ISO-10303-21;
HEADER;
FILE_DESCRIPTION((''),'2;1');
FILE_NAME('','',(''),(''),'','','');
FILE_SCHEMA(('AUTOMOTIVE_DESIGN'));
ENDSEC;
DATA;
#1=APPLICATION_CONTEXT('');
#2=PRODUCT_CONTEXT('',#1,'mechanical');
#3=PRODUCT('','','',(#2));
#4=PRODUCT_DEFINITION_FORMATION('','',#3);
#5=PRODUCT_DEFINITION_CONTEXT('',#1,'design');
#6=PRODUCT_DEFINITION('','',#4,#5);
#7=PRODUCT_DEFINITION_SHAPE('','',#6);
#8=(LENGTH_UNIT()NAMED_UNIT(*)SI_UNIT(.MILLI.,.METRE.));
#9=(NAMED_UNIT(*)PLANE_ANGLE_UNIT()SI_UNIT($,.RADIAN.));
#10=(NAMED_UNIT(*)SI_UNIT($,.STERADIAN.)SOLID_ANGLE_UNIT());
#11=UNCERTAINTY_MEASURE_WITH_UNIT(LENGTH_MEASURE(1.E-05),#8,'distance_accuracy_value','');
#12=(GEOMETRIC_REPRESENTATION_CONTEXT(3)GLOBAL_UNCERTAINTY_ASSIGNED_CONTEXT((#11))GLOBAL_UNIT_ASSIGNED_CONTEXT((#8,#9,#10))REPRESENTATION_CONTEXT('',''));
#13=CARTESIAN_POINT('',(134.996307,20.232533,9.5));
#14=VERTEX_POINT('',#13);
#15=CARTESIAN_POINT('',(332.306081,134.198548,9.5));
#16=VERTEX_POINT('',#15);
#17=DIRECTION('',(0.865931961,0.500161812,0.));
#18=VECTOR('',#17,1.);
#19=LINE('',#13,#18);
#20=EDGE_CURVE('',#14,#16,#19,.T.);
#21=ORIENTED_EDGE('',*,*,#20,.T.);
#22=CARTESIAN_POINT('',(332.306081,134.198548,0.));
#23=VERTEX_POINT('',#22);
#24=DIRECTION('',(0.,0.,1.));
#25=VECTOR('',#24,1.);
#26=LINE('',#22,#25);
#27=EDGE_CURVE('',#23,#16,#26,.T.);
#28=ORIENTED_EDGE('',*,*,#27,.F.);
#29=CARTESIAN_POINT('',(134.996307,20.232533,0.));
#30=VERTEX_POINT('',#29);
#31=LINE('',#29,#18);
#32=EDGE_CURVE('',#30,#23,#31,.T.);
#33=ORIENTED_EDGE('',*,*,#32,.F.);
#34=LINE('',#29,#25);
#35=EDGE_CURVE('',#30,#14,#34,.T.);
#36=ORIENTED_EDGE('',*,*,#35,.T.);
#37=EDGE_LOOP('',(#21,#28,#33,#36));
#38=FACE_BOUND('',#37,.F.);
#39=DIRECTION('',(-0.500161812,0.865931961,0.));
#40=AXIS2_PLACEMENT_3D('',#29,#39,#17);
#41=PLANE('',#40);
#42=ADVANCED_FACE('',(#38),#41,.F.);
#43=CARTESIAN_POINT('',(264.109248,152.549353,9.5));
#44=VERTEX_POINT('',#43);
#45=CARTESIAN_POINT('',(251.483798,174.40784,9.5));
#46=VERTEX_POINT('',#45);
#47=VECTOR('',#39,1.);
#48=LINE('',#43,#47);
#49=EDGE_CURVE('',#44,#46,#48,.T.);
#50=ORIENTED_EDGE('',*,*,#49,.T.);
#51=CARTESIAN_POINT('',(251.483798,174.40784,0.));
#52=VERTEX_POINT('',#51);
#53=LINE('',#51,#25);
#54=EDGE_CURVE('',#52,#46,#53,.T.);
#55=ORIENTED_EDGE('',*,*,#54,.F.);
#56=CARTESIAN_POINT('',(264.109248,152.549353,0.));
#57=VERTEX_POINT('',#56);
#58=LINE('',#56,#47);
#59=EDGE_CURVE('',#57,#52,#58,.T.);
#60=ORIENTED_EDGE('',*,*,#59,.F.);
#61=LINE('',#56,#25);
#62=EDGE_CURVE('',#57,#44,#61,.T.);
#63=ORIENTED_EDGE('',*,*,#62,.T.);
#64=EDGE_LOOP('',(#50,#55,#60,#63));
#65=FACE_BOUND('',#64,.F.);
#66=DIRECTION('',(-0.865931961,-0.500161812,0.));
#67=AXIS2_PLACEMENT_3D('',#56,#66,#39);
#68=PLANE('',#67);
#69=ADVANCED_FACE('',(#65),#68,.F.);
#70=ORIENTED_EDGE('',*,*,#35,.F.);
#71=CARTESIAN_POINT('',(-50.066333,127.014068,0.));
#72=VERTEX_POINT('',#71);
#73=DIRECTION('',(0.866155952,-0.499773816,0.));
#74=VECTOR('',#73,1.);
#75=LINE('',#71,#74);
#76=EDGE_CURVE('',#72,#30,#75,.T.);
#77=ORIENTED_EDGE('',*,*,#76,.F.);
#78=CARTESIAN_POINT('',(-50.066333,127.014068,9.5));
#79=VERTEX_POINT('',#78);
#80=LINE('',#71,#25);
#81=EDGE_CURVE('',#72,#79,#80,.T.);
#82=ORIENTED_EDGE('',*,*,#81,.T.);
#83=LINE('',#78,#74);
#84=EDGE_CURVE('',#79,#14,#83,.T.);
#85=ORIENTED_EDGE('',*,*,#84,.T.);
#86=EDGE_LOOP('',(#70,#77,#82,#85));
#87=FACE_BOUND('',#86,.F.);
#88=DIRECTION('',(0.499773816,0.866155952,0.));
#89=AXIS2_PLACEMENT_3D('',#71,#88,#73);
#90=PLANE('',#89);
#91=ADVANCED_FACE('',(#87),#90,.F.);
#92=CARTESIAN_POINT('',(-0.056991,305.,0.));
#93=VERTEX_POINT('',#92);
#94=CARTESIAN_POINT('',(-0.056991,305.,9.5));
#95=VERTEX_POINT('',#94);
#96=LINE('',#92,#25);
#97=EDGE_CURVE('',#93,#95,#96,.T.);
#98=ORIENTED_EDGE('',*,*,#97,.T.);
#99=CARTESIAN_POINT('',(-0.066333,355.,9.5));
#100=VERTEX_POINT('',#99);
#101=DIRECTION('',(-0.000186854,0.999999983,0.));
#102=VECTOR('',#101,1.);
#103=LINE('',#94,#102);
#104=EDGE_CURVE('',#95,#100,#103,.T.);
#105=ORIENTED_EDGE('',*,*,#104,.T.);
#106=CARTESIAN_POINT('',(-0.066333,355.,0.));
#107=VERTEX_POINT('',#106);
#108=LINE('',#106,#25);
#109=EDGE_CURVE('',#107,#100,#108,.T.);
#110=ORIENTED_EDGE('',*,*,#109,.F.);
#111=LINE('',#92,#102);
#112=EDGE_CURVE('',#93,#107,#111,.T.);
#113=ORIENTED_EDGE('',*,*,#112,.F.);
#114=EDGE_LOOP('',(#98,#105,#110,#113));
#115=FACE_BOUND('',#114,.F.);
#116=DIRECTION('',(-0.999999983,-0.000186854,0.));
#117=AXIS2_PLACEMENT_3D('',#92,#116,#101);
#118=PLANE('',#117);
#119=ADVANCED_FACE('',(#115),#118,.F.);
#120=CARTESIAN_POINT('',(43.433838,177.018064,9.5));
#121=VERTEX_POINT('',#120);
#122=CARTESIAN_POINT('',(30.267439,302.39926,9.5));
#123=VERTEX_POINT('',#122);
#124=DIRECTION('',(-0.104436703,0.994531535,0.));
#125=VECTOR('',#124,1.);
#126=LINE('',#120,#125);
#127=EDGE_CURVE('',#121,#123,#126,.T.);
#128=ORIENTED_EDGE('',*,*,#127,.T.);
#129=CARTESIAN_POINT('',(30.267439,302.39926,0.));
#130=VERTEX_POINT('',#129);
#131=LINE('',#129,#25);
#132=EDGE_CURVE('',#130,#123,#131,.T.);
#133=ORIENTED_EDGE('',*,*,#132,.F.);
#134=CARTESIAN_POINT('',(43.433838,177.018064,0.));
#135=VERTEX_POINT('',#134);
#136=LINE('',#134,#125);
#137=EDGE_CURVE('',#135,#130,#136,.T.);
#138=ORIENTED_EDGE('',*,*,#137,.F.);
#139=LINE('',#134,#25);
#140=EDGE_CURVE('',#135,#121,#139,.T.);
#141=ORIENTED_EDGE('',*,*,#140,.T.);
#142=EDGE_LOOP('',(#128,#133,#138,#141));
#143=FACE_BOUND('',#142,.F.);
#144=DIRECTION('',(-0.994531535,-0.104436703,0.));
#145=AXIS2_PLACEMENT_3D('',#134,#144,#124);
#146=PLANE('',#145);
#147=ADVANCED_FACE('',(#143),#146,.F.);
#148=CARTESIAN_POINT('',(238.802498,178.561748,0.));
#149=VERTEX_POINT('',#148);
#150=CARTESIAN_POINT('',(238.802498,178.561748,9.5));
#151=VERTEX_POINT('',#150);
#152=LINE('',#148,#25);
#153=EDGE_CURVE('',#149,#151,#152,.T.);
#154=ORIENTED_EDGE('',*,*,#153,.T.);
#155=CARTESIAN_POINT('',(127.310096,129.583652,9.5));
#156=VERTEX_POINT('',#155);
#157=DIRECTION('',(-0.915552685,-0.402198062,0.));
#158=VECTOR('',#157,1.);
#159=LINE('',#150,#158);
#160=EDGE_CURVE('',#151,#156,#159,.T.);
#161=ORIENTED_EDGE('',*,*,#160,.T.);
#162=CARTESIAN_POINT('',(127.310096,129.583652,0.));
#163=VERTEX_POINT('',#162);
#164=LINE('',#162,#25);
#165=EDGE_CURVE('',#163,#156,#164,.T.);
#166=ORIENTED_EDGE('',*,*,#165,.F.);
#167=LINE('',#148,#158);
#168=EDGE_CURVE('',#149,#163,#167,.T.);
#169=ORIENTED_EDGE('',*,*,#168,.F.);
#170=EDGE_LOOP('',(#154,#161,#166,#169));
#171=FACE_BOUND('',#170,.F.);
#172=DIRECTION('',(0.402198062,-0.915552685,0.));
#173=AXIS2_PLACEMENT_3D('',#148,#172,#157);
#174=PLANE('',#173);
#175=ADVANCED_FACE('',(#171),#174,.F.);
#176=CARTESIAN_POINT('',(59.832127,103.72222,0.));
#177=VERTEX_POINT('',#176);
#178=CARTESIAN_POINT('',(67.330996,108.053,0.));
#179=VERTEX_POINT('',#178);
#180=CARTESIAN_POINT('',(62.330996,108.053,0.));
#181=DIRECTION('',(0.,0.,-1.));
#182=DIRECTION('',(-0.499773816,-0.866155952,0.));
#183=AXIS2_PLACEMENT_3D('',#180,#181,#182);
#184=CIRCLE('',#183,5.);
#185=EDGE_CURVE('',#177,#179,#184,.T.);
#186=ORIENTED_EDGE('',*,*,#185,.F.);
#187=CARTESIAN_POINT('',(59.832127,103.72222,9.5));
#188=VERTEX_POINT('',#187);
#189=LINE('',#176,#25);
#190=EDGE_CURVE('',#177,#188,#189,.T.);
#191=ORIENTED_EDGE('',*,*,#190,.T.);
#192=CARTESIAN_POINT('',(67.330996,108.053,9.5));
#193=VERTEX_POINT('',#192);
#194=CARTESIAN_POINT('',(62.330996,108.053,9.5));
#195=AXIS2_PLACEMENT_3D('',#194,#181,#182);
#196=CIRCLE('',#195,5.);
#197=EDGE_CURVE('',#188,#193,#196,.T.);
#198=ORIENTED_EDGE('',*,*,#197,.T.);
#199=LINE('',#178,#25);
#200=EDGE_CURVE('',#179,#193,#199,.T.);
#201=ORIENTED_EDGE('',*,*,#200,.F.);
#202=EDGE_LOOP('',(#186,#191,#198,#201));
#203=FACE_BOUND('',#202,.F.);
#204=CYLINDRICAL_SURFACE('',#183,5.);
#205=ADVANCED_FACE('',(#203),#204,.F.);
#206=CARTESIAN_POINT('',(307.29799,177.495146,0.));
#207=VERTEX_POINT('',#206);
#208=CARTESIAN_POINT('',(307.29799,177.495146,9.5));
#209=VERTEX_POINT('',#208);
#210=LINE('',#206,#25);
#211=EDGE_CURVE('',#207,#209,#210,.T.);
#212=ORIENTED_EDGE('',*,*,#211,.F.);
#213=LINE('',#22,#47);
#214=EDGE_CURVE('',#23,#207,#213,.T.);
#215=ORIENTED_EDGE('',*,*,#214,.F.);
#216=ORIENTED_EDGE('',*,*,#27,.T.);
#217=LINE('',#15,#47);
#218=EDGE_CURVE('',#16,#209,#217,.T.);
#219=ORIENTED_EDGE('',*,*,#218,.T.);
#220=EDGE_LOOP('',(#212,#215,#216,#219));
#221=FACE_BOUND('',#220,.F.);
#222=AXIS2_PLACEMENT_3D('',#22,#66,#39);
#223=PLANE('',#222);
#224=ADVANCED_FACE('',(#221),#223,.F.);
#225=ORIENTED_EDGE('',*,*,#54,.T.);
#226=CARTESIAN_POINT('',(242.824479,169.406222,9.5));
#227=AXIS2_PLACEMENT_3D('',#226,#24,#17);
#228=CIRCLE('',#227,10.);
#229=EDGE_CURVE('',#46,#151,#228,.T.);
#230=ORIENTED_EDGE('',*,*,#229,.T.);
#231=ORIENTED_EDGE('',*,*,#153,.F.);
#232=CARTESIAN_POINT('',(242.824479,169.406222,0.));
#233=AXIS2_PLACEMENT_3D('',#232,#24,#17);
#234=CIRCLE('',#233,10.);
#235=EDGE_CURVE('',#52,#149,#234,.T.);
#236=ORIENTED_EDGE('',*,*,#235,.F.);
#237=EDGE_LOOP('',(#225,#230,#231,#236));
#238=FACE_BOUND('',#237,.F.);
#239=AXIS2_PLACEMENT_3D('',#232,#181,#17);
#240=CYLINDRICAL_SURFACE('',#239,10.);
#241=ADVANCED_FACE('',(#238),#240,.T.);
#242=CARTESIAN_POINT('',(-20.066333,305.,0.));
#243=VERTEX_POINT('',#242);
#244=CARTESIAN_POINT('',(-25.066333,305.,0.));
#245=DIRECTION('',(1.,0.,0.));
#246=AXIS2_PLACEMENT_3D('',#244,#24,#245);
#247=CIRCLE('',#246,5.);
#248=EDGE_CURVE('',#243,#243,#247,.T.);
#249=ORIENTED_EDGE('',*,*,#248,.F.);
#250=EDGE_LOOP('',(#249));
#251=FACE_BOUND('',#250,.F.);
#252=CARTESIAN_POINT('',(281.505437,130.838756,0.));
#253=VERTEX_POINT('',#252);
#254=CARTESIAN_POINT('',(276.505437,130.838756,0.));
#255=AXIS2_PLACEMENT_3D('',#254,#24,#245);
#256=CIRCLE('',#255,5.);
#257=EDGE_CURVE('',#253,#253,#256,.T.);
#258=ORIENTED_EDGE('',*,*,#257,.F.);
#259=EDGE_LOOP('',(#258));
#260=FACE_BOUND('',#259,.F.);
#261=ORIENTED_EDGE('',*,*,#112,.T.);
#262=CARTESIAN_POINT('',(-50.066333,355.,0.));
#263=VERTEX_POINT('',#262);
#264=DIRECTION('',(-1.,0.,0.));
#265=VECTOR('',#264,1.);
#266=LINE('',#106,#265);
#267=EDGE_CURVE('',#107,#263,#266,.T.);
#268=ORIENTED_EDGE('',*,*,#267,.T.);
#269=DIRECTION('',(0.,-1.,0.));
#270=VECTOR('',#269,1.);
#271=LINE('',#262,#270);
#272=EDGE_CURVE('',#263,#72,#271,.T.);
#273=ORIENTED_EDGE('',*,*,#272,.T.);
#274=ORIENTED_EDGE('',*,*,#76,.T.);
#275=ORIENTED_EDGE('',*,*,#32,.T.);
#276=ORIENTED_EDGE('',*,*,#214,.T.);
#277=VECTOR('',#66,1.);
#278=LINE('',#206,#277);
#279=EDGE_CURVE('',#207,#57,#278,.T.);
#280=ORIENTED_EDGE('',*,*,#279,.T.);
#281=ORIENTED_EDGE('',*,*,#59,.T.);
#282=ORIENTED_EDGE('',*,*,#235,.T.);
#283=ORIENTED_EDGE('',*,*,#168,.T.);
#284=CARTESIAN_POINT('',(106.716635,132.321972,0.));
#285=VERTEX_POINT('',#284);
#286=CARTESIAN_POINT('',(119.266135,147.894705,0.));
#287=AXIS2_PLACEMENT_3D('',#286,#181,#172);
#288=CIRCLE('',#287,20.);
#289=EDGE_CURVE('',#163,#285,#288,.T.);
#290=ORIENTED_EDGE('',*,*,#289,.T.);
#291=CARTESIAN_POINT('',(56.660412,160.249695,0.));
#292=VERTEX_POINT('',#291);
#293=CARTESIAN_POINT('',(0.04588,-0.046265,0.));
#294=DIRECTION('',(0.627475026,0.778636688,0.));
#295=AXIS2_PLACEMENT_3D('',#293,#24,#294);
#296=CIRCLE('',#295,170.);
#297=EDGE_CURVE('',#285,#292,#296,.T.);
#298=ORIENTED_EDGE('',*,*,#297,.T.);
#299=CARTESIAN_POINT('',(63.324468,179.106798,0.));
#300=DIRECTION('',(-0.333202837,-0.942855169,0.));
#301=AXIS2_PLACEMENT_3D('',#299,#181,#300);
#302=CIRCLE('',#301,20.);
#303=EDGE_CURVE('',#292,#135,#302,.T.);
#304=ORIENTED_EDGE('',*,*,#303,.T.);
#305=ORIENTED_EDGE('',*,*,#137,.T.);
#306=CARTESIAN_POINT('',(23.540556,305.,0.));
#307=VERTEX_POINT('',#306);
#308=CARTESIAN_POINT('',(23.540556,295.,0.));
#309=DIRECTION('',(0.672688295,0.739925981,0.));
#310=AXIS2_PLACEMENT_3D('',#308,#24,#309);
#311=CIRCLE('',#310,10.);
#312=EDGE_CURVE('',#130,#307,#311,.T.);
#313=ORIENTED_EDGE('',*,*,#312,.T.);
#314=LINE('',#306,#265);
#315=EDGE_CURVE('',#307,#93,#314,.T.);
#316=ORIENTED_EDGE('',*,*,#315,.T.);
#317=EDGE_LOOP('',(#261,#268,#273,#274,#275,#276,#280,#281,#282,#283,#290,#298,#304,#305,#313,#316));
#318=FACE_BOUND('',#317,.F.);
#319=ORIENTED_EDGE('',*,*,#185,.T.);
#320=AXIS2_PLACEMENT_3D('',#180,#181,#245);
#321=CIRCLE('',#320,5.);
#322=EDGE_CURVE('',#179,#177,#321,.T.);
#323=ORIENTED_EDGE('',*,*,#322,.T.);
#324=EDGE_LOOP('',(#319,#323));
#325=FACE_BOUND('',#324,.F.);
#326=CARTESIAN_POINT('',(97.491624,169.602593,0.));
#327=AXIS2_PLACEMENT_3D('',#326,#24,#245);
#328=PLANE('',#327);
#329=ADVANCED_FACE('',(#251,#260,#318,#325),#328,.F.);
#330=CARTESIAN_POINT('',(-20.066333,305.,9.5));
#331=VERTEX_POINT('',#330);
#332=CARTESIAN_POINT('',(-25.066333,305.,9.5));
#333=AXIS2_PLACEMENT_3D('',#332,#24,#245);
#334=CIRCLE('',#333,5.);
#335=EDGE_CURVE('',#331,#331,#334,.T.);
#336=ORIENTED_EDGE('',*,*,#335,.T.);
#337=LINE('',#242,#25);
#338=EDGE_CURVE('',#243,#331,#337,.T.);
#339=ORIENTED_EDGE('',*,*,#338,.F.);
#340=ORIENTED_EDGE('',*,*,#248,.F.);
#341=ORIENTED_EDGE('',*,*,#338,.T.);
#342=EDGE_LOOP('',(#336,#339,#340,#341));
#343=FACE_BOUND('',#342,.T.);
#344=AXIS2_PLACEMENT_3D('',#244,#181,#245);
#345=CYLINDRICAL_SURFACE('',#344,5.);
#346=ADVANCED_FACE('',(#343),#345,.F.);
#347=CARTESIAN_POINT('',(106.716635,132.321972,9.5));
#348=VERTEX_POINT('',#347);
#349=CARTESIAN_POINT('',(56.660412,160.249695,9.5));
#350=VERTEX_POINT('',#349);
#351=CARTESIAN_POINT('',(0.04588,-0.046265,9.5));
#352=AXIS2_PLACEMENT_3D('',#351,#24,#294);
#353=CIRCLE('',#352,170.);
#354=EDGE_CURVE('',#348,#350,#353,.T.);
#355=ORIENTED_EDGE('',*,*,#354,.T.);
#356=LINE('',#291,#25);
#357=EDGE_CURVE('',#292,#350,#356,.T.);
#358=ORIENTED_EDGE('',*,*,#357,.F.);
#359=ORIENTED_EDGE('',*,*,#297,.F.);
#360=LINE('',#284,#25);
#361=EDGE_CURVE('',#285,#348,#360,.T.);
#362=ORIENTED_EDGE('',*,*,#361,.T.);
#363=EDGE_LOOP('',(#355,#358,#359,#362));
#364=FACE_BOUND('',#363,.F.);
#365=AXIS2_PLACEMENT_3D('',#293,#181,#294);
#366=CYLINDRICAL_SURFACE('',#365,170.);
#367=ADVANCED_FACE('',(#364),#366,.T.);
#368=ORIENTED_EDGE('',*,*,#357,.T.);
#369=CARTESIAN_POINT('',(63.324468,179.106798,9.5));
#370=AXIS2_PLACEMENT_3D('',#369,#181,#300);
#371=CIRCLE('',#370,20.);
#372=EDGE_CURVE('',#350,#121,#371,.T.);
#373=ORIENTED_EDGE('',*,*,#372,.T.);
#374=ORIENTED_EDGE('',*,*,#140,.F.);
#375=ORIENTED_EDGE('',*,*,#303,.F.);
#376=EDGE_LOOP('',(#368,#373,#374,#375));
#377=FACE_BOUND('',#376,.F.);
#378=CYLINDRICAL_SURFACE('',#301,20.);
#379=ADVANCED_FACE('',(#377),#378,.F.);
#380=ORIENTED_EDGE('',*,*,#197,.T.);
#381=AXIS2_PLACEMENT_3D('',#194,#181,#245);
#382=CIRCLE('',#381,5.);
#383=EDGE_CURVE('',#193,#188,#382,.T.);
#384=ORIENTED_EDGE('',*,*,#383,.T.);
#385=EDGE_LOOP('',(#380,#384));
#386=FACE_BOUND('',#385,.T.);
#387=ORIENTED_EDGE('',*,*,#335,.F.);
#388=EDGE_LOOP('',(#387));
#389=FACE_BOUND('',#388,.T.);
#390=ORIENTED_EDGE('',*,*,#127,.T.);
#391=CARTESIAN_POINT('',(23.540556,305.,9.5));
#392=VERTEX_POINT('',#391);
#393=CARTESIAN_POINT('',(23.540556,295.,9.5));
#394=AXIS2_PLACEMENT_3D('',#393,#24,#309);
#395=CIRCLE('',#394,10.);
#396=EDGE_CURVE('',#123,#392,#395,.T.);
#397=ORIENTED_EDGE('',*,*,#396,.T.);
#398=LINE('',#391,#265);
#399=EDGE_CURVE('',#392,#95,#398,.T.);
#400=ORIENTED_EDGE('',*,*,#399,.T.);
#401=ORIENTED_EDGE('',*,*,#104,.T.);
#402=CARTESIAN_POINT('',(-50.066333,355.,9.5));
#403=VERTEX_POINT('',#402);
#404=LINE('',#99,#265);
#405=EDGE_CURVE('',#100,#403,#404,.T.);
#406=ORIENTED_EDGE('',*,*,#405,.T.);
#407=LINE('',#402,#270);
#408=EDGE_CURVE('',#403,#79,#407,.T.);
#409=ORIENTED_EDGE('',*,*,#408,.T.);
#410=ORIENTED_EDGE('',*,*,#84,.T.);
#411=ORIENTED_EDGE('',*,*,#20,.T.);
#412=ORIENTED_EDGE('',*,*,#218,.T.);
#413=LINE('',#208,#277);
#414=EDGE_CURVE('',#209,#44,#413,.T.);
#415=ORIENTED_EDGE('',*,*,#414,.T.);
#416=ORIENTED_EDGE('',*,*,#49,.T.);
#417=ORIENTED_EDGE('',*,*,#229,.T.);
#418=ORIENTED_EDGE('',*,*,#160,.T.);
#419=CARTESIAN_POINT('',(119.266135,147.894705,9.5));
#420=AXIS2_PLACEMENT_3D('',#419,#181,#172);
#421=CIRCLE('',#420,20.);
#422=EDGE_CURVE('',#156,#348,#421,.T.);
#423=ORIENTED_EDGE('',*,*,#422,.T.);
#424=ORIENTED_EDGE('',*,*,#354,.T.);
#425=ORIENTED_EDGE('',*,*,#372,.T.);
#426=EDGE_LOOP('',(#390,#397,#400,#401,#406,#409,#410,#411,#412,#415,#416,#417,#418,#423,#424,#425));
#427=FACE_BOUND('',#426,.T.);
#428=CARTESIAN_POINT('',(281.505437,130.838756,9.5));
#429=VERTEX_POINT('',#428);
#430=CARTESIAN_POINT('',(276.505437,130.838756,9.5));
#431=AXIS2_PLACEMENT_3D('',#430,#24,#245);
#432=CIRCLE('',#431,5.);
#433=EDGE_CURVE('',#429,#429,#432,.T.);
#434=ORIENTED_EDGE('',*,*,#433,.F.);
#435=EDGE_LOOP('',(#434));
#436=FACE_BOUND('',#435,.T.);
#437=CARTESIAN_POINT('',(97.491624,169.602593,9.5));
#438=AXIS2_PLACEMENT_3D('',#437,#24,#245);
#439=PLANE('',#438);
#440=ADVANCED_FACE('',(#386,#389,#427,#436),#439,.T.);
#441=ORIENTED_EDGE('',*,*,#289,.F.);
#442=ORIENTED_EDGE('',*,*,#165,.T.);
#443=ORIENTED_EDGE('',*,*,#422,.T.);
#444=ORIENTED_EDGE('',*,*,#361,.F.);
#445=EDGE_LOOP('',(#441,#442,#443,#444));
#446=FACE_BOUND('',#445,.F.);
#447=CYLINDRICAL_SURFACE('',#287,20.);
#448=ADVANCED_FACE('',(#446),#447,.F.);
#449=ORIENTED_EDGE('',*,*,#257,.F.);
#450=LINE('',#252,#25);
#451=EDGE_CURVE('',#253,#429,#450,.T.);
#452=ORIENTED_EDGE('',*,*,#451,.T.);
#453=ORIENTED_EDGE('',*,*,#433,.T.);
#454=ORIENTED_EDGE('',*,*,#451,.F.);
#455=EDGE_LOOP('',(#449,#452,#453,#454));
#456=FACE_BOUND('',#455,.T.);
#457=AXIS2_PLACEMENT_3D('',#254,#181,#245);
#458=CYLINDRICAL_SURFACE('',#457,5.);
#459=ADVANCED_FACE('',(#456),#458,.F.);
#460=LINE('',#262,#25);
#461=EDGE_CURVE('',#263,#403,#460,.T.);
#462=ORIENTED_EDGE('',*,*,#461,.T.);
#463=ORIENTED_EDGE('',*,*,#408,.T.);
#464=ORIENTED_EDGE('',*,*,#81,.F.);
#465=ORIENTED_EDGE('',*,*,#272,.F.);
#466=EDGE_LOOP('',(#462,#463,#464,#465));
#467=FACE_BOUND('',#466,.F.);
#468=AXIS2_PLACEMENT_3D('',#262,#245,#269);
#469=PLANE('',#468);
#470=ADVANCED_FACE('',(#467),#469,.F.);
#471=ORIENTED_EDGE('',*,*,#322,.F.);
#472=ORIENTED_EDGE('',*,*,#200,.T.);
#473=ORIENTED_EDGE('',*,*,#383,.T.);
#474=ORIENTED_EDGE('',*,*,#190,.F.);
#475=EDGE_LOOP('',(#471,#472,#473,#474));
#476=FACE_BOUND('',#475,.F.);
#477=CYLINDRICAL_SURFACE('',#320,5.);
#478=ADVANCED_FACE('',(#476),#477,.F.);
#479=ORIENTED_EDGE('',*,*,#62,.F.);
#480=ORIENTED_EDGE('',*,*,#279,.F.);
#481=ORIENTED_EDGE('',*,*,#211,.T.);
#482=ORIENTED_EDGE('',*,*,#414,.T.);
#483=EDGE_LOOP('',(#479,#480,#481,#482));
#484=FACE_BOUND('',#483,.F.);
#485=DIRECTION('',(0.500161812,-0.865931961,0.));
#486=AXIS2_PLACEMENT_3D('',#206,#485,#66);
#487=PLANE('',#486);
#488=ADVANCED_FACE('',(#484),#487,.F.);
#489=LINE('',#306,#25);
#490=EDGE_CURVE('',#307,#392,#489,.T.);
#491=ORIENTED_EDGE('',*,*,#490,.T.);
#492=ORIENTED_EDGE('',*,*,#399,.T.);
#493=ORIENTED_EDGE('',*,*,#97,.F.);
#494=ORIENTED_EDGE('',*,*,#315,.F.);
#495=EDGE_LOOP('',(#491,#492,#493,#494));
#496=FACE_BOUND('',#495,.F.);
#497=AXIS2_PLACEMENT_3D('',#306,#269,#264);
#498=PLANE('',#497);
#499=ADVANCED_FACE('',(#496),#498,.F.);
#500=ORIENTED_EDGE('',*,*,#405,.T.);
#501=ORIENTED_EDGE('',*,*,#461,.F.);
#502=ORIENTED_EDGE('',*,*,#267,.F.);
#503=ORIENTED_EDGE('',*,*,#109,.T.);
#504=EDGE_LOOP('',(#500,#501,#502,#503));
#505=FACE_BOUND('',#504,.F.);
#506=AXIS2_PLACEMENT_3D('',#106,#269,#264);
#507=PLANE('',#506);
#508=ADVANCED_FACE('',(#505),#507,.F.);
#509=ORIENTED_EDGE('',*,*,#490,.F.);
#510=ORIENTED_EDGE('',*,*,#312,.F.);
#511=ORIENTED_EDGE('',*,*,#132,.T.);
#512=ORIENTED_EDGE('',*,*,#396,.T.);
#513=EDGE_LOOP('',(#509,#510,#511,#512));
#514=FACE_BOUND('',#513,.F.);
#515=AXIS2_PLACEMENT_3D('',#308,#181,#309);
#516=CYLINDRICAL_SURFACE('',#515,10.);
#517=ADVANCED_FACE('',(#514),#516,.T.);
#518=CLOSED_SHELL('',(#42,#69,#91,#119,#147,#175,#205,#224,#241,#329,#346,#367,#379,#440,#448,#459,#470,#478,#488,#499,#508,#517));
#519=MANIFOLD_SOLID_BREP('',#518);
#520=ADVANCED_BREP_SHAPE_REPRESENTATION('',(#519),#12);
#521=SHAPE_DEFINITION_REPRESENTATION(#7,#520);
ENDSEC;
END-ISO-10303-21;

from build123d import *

# Parameters (mm, degrees)
F0_R     = 5
F1_DEPTH = 9.5


with BuildPart() as f1:
    # F0 (on Top) → F1 (new body)
    with BuildSketch(Plane.XY):
        with BuildLine():
            ThreePointArc((251.4837984218, 174.4078397694), (245.9373500957, 178.9093807212), (238.8024981834, 178.5617484971))
            Line((238.8024981834, 178.5617484971), (139.4635551595, 134.9226100063))
            Line((139.4635551595, 134.9226100063), (127.3100964327, 129.5836517652))
            ThreePointArc((127.3100964327, 129.5836517652), (116.6299314638, 128.0692059728), (106.7166346632, 132.3219717036))
            ThreePointArc((106.7166346632, 132.3219717036), (82.8740793121, 148.410763694), (56.6604115001, 160.2496949469))
            ThreePointArc((56.6604115001, 160.2496949469), (47.6215255634, 166.7206128225), (43.4338375319, 177.0180642585))
            Line((43.4338375319, 177.0180642585), (30.2674388345, 302.399259814))
            ThreePointArc((30.2674388345, 302.399259814), (27.1466203514, 304.3271806603), (23.5405558858, 305))
            Line((23.5405558858, 305), (-0.0569906184, 305))
            Line((-0.0569906184, 305), (-0.0663333427, 305))
            Line((-0.0663333427, 305), (-0.0663333427, 355))
            Line((-0.0663333427, 355), (-50.0663333427, 355))
            Line((-50.0663333427, 355), (-50.0663333427, 127.0140681159))
            Line((-50.0663333427, 127.0140681159), (134.9963067562, 20.2325334796))
            Line((134.9963067562, 20.2325334796), (332.3060807422, 134.1985475298))
            Line((332.3060807422, 134.1985475298), (307.2979901421, 177.495145601))
            Line((307.2979901421, 177.495145601), (264.1092482344, 152.5493526602))
            Line((264.1092482344, 152.5493526602), (251.4837984218, 174.4078397694))
        make_face()
        with BuildLine():
            ThreePointArc((59.8321268024, 103.7222201288), (59.8304304841, 112.3828004264), (67.3309958809, 108.0529998887))
            ThreePointArc((67.3309958809, 108.0529998887), (64.8315612777, 103.723199351), (59.8321268024, 103.7222201288))
        make_face(mode=Mode.SUBTRACT)
        with Locations((276.5054373709, 130.8387559654)):
            Circle(F0_R, mode=Mode.SUBTRACT)
        with Locations((-25.0663333427, 305)):
            Circle(F0_R, mode=Mode.SUBTRACT)
        Polygon((-0.0663333427, 305), (-0.0569906184, 305), (-0.0663333427, 355), align=None)
    extrude(amount=F1_DEPTH)


solid = f1.part
